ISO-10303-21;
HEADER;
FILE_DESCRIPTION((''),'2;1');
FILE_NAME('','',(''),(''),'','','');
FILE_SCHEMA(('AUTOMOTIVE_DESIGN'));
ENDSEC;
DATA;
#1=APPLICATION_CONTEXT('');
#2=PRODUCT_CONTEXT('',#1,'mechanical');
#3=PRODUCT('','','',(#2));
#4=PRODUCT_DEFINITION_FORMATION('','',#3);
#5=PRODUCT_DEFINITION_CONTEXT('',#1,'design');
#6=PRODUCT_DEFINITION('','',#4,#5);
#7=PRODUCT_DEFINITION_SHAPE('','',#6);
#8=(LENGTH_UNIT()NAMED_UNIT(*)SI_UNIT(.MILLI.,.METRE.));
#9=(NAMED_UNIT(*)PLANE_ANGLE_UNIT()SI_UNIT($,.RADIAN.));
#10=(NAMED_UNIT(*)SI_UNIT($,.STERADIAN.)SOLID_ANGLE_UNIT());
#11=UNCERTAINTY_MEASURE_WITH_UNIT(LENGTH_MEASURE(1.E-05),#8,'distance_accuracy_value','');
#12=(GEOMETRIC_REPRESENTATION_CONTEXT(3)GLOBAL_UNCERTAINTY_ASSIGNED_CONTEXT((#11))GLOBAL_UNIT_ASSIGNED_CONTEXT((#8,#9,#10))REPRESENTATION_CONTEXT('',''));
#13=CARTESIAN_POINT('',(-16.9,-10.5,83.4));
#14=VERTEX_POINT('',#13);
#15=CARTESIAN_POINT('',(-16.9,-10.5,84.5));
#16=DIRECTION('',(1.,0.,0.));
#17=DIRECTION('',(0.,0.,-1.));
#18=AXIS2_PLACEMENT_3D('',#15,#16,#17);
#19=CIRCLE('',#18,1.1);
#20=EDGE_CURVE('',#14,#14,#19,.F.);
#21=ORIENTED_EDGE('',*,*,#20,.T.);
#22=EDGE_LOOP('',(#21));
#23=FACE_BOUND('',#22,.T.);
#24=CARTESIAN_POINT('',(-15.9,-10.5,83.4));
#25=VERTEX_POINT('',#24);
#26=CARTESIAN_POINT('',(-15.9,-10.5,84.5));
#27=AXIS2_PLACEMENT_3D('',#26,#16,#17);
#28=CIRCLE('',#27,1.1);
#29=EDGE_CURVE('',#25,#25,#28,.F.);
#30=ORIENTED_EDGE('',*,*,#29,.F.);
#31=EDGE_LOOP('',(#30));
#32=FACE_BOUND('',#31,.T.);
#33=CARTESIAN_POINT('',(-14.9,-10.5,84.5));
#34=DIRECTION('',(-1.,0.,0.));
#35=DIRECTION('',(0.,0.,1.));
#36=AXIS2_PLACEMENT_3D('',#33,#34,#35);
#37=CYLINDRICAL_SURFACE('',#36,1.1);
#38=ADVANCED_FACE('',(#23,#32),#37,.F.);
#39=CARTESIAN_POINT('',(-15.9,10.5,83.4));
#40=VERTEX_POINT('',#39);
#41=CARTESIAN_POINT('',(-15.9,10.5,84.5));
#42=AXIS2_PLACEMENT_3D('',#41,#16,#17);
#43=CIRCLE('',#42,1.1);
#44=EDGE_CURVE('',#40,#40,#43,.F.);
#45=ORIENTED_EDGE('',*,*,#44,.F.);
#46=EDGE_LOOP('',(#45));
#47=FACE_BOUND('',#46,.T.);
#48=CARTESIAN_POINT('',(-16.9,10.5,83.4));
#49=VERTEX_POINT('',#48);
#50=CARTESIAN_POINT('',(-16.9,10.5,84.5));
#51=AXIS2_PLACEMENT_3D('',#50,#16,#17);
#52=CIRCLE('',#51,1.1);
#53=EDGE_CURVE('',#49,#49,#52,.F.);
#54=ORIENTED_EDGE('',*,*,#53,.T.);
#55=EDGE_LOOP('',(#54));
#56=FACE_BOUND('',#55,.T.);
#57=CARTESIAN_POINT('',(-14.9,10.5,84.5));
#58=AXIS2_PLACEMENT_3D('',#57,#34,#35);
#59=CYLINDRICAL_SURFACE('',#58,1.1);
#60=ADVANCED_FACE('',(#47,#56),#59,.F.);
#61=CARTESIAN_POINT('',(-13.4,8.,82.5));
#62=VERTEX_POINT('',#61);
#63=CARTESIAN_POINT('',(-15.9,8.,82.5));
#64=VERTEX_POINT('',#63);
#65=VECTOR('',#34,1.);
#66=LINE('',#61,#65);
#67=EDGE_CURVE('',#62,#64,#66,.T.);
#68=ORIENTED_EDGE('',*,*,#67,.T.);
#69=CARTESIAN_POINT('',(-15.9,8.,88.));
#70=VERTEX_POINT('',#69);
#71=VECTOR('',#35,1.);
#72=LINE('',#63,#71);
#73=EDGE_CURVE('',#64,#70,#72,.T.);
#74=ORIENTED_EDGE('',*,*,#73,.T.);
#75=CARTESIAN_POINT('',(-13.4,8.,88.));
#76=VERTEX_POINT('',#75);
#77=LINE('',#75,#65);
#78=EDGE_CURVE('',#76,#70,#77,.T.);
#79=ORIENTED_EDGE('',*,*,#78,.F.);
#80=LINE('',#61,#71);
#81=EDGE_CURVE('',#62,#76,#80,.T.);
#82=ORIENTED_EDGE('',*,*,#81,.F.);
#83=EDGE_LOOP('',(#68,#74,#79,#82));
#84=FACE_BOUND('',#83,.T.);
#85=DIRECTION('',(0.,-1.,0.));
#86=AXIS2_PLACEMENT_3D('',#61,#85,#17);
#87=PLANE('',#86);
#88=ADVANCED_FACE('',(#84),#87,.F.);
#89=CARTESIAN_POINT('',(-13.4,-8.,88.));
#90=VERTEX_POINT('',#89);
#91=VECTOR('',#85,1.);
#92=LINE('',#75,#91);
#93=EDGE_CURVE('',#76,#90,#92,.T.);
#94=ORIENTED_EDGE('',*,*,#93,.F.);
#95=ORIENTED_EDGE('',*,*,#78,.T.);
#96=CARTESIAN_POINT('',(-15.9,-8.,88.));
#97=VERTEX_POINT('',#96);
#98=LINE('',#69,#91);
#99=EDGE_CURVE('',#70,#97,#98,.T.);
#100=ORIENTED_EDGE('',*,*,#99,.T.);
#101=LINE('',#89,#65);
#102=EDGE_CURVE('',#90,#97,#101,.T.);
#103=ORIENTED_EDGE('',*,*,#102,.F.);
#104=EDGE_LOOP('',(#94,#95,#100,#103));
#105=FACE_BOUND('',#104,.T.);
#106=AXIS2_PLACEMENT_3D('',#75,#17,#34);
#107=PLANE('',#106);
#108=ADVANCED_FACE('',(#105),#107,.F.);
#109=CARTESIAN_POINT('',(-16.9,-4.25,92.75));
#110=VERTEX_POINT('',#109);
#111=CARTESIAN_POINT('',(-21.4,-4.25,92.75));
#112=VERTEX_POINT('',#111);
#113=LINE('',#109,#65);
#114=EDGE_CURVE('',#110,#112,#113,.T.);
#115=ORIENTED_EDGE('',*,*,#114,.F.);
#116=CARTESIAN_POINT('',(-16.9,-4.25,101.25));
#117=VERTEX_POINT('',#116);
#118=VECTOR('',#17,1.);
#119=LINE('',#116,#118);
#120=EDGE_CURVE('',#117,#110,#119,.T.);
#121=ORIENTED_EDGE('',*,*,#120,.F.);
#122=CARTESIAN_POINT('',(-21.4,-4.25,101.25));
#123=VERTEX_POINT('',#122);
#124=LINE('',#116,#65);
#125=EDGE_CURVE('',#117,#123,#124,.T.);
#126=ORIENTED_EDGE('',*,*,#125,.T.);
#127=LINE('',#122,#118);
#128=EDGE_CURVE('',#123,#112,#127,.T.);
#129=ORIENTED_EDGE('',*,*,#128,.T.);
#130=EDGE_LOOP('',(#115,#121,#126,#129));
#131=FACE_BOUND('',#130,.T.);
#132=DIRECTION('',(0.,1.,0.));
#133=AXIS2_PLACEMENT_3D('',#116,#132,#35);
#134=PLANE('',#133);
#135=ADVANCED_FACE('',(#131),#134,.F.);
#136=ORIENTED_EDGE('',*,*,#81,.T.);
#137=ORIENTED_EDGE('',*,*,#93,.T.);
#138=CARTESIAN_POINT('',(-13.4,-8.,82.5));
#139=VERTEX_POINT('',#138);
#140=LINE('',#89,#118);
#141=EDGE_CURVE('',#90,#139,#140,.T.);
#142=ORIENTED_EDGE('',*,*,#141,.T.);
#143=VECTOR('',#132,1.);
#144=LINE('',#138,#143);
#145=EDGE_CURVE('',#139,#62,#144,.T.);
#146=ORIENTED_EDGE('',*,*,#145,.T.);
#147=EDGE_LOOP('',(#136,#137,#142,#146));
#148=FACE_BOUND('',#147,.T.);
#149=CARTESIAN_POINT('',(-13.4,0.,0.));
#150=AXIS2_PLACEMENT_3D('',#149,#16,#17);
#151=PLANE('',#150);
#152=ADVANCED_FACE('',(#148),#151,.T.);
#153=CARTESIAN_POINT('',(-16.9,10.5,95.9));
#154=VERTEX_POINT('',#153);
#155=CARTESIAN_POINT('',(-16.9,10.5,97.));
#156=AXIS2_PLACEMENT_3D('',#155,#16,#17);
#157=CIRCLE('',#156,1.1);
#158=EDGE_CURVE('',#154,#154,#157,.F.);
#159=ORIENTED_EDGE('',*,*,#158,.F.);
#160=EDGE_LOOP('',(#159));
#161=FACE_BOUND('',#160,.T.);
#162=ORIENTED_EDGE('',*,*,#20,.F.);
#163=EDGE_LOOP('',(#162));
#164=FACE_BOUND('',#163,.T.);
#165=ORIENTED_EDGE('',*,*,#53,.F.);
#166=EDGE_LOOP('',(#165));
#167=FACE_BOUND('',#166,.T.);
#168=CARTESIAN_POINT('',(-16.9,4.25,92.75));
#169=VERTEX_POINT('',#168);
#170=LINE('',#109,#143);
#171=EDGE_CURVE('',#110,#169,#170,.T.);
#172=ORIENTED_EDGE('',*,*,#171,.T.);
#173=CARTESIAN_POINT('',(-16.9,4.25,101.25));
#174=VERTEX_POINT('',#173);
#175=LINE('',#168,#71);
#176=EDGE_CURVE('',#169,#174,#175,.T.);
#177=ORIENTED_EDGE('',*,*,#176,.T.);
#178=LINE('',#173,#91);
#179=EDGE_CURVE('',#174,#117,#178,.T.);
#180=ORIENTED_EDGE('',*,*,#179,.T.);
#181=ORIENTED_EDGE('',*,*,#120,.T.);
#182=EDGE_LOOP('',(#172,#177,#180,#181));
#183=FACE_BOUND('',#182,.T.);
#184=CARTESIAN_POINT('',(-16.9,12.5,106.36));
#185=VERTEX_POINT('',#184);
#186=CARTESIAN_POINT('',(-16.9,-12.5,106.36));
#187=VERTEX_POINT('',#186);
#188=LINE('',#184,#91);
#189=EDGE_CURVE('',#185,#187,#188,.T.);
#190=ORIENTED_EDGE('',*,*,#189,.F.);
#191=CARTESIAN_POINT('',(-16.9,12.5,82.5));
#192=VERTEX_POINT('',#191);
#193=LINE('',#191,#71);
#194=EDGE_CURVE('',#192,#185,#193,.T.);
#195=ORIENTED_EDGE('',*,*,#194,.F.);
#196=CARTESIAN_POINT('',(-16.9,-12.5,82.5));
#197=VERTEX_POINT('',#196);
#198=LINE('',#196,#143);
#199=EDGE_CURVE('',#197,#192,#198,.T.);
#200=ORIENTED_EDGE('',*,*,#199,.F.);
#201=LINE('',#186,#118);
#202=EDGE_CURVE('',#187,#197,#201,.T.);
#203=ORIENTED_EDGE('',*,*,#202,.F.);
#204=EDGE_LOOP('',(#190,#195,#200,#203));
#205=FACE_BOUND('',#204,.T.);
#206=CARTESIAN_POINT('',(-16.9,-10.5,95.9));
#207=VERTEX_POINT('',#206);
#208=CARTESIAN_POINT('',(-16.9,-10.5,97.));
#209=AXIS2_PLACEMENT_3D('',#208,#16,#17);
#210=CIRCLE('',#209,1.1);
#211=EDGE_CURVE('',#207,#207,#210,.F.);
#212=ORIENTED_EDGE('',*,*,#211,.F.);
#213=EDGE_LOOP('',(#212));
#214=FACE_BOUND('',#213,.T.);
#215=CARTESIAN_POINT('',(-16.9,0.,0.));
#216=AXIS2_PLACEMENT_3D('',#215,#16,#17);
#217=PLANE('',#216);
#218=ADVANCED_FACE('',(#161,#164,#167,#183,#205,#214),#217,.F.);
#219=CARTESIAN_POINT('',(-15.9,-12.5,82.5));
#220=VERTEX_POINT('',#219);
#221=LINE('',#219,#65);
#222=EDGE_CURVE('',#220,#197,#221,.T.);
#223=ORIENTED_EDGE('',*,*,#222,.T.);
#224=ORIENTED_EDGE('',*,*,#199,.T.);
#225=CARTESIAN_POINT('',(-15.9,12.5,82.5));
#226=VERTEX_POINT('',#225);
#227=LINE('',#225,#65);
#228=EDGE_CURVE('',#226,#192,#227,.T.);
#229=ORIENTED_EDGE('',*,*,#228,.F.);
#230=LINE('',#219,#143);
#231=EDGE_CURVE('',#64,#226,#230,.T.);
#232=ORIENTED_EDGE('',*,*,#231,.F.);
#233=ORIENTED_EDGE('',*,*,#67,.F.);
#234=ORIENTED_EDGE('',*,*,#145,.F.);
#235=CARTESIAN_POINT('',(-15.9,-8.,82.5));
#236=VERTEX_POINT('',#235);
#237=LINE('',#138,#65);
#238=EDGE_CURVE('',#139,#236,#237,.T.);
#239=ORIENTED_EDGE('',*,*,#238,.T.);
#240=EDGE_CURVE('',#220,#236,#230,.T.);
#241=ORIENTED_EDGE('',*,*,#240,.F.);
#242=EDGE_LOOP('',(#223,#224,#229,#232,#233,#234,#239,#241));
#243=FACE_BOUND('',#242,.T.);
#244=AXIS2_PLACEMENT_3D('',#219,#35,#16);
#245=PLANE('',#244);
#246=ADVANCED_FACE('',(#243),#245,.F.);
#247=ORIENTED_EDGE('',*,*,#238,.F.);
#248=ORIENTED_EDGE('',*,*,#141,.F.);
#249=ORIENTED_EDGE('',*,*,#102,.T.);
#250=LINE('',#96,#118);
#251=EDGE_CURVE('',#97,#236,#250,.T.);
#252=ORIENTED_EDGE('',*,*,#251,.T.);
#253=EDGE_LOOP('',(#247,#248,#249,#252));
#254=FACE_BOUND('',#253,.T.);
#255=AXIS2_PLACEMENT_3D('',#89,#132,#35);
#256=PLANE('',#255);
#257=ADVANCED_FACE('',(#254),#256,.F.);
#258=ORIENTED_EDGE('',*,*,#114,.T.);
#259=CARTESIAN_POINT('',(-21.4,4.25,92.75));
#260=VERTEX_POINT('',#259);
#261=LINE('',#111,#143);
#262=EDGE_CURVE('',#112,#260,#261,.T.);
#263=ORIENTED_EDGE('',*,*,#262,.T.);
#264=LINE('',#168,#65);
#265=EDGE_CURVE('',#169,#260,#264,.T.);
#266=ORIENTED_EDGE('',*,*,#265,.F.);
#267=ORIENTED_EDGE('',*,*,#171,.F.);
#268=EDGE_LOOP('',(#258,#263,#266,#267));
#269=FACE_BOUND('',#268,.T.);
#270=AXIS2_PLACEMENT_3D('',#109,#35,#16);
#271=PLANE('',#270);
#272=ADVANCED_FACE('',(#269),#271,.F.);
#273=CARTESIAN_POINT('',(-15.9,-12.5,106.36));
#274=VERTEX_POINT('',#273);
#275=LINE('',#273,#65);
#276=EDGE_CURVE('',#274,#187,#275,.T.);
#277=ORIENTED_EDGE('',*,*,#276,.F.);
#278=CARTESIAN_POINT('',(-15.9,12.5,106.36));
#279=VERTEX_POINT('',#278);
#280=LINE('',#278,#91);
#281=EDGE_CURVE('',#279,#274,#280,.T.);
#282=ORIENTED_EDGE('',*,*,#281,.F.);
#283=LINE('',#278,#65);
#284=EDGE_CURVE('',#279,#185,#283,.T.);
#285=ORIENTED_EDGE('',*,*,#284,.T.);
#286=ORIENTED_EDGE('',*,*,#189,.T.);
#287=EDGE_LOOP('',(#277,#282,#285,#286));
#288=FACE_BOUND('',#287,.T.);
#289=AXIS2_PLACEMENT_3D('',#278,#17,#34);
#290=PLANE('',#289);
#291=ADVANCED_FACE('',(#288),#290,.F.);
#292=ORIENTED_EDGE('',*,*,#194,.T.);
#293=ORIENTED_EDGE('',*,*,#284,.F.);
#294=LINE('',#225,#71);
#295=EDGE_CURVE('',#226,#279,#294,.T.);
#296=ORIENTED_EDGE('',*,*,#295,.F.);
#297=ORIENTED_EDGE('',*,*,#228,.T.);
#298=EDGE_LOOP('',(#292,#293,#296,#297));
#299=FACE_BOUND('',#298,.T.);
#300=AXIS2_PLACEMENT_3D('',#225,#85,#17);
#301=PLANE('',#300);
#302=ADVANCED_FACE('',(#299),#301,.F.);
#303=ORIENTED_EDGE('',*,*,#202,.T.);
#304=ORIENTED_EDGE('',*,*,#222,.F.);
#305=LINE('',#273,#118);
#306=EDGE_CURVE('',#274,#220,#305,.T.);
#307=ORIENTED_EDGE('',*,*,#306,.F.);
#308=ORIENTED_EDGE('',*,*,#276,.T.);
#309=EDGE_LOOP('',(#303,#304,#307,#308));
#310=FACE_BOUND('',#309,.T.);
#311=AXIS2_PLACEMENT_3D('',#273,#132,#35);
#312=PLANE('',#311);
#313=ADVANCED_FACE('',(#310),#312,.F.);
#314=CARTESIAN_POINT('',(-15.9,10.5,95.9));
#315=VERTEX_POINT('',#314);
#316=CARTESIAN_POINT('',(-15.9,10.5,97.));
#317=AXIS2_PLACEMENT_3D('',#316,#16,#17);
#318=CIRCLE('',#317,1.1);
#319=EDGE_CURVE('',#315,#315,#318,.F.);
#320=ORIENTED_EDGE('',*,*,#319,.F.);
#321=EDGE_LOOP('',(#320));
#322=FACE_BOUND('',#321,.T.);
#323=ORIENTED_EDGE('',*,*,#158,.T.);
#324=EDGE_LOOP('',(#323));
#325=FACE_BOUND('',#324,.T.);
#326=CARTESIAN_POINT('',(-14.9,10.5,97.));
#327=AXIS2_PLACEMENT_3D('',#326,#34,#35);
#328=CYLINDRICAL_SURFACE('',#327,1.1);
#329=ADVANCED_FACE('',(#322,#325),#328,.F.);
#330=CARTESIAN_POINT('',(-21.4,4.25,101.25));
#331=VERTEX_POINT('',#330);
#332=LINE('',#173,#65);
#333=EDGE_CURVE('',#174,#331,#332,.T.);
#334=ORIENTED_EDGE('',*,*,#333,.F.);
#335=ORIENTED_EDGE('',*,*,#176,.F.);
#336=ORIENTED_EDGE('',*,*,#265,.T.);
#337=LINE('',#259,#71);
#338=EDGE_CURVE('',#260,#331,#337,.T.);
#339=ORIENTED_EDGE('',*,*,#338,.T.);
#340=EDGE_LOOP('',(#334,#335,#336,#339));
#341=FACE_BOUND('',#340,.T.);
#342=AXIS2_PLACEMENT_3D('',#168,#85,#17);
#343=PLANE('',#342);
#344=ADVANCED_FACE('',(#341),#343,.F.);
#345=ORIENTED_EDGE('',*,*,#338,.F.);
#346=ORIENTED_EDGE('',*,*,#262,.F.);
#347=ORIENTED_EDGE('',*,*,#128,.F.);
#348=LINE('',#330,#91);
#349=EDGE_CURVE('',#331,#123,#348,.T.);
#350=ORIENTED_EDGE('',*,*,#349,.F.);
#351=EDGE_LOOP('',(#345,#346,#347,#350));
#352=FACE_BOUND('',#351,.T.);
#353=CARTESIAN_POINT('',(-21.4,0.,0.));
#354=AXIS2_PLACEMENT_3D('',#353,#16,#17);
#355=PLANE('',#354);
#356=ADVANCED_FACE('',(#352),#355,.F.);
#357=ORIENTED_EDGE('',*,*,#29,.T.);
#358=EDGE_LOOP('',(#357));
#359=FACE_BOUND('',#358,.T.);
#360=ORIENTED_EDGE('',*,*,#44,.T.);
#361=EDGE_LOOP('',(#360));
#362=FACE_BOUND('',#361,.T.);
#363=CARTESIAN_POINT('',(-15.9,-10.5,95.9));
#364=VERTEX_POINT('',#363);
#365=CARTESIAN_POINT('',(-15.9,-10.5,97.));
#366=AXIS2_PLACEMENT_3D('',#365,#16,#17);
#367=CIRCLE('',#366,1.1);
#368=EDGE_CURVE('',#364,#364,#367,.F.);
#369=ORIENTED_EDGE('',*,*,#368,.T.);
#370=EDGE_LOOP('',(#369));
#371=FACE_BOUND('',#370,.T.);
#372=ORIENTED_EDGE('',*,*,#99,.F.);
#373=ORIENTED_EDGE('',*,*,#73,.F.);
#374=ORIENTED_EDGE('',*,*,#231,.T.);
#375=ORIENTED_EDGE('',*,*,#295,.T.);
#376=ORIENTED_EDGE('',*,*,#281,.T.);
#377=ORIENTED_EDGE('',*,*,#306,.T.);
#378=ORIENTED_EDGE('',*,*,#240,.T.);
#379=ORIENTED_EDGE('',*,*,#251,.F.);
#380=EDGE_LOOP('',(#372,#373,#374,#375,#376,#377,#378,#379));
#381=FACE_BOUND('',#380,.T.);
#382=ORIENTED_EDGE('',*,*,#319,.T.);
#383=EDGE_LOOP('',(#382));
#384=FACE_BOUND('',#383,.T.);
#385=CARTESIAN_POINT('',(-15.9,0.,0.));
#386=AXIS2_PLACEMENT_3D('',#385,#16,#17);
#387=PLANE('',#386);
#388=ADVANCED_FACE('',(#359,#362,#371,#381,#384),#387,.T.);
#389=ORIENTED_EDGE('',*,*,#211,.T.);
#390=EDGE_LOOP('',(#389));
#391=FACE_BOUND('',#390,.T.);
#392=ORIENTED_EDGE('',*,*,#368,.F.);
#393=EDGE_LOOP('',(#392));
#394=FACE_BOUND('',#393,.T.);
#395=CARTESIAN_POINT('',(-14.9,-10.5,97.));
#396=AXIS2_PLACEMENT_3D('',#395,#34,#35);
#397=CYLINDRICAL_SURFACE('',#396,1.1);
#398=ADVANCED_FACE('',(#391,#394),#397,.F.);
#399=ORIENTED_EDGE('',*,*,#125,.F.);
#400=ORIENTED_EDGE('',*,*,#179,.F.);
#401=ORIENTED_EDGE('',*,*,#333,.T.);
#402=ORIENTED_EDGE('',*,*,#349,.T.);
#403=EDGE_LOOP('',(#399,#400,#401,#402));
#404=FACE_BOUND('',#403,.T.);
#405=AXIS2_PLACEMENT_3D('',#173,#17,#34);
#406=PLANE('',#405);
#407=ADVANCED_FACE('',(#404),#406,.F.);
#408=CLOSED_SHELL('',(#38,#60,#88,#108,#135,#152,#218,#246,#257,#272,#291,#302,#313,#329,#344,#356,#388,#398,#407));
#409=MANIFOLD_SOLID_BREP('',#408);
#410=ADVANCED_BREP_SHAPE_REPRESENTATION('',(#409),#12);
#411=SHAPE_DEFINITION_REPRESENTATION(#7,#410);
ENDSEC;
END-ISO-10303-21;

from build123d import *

# Parameters (mm, degrees)
CROQUIS1_W              = 23.86
CROQUIS1_H              = 25
SALIENTE_EXTRUIR1_DEPTH = 1
CROQUIS2_R              = 1.1
CORTAR_EXTRUIR1_DEPTH   = 3
CROQUIS3_W              = 8.5
CROQUIS3_H              = 8.5
SALIENTE_EXTRUIR2_DEPTH = 4.5
CROQUIS4_W              = 5.5
CROQUIS4_H              = 16
SALIENTE_EXTRUIR3_DEPTH = 2.5


with BuildPart() as part:
    # Croquis1 → Saliente-Extruir1 (new body)
    with BuildSketch(Plane(origin=(-16.9, 0, 0), x_dir=(0, 0, -1), z_dir=(1, 0, 0))):
        with Locations((-94.43, 0)):
            Rectangle(CROQUIS1_W, CROQUIS1_H)
    extrude(amount=SALIENTE_EXTRUIR1_DEPTH)

    # Croquis2 → Cortar-Extruir1 (cut)
    with BuildSketch(Plane(origin=(-17.9, 0, 0), x_dir=(0, 0, -1), z_dir=(1, 0, 0))):
        with Locations((-97, -10.5)):
            Circle(CROQUIS2_R)
        with Locations((-84.5, -10.5)):
            Circle(CROQUIS2_R)
        with Locations((-97, 10.5)):
            Circle(CROQUIS2_R)
        with Locations((-84.5, 10.5)):
            Circle(CROQUIS2_R)
    extrude(amount=CORTAR_EXTRUIR1_DEPTH, mode=Mode.SUBTRACT)

    # Croquis3 → Saliente-Extruir2 (add)
    with BuildSketch(Plane(origin=(-21.4, 0, 0), x_dir=(0, 0, -1), z_dir=(1, 0, 0))):
        with Locations((-97, 0)):
            Rectangle(CROQUIS3_W, CROQUIS3_H)
    extrude(amount=SALIENTE_EXTRUIR2_DEPTH)

    # Croquis4 → Saliente-Extruir3 (add)
    with BuildSketch(Plane(origin=(-15.9, 0, 0), x_dir=(0, 0, -1), z_dir=(1, 0, 0))):
        with Locations((-85.25, 0)):
            Rectangle(CROQUIS4_W, CROQUIS4_H)
    extrude(amount=SALIENTE_EXTRUIR3_DEPTH)


solid = part.part
